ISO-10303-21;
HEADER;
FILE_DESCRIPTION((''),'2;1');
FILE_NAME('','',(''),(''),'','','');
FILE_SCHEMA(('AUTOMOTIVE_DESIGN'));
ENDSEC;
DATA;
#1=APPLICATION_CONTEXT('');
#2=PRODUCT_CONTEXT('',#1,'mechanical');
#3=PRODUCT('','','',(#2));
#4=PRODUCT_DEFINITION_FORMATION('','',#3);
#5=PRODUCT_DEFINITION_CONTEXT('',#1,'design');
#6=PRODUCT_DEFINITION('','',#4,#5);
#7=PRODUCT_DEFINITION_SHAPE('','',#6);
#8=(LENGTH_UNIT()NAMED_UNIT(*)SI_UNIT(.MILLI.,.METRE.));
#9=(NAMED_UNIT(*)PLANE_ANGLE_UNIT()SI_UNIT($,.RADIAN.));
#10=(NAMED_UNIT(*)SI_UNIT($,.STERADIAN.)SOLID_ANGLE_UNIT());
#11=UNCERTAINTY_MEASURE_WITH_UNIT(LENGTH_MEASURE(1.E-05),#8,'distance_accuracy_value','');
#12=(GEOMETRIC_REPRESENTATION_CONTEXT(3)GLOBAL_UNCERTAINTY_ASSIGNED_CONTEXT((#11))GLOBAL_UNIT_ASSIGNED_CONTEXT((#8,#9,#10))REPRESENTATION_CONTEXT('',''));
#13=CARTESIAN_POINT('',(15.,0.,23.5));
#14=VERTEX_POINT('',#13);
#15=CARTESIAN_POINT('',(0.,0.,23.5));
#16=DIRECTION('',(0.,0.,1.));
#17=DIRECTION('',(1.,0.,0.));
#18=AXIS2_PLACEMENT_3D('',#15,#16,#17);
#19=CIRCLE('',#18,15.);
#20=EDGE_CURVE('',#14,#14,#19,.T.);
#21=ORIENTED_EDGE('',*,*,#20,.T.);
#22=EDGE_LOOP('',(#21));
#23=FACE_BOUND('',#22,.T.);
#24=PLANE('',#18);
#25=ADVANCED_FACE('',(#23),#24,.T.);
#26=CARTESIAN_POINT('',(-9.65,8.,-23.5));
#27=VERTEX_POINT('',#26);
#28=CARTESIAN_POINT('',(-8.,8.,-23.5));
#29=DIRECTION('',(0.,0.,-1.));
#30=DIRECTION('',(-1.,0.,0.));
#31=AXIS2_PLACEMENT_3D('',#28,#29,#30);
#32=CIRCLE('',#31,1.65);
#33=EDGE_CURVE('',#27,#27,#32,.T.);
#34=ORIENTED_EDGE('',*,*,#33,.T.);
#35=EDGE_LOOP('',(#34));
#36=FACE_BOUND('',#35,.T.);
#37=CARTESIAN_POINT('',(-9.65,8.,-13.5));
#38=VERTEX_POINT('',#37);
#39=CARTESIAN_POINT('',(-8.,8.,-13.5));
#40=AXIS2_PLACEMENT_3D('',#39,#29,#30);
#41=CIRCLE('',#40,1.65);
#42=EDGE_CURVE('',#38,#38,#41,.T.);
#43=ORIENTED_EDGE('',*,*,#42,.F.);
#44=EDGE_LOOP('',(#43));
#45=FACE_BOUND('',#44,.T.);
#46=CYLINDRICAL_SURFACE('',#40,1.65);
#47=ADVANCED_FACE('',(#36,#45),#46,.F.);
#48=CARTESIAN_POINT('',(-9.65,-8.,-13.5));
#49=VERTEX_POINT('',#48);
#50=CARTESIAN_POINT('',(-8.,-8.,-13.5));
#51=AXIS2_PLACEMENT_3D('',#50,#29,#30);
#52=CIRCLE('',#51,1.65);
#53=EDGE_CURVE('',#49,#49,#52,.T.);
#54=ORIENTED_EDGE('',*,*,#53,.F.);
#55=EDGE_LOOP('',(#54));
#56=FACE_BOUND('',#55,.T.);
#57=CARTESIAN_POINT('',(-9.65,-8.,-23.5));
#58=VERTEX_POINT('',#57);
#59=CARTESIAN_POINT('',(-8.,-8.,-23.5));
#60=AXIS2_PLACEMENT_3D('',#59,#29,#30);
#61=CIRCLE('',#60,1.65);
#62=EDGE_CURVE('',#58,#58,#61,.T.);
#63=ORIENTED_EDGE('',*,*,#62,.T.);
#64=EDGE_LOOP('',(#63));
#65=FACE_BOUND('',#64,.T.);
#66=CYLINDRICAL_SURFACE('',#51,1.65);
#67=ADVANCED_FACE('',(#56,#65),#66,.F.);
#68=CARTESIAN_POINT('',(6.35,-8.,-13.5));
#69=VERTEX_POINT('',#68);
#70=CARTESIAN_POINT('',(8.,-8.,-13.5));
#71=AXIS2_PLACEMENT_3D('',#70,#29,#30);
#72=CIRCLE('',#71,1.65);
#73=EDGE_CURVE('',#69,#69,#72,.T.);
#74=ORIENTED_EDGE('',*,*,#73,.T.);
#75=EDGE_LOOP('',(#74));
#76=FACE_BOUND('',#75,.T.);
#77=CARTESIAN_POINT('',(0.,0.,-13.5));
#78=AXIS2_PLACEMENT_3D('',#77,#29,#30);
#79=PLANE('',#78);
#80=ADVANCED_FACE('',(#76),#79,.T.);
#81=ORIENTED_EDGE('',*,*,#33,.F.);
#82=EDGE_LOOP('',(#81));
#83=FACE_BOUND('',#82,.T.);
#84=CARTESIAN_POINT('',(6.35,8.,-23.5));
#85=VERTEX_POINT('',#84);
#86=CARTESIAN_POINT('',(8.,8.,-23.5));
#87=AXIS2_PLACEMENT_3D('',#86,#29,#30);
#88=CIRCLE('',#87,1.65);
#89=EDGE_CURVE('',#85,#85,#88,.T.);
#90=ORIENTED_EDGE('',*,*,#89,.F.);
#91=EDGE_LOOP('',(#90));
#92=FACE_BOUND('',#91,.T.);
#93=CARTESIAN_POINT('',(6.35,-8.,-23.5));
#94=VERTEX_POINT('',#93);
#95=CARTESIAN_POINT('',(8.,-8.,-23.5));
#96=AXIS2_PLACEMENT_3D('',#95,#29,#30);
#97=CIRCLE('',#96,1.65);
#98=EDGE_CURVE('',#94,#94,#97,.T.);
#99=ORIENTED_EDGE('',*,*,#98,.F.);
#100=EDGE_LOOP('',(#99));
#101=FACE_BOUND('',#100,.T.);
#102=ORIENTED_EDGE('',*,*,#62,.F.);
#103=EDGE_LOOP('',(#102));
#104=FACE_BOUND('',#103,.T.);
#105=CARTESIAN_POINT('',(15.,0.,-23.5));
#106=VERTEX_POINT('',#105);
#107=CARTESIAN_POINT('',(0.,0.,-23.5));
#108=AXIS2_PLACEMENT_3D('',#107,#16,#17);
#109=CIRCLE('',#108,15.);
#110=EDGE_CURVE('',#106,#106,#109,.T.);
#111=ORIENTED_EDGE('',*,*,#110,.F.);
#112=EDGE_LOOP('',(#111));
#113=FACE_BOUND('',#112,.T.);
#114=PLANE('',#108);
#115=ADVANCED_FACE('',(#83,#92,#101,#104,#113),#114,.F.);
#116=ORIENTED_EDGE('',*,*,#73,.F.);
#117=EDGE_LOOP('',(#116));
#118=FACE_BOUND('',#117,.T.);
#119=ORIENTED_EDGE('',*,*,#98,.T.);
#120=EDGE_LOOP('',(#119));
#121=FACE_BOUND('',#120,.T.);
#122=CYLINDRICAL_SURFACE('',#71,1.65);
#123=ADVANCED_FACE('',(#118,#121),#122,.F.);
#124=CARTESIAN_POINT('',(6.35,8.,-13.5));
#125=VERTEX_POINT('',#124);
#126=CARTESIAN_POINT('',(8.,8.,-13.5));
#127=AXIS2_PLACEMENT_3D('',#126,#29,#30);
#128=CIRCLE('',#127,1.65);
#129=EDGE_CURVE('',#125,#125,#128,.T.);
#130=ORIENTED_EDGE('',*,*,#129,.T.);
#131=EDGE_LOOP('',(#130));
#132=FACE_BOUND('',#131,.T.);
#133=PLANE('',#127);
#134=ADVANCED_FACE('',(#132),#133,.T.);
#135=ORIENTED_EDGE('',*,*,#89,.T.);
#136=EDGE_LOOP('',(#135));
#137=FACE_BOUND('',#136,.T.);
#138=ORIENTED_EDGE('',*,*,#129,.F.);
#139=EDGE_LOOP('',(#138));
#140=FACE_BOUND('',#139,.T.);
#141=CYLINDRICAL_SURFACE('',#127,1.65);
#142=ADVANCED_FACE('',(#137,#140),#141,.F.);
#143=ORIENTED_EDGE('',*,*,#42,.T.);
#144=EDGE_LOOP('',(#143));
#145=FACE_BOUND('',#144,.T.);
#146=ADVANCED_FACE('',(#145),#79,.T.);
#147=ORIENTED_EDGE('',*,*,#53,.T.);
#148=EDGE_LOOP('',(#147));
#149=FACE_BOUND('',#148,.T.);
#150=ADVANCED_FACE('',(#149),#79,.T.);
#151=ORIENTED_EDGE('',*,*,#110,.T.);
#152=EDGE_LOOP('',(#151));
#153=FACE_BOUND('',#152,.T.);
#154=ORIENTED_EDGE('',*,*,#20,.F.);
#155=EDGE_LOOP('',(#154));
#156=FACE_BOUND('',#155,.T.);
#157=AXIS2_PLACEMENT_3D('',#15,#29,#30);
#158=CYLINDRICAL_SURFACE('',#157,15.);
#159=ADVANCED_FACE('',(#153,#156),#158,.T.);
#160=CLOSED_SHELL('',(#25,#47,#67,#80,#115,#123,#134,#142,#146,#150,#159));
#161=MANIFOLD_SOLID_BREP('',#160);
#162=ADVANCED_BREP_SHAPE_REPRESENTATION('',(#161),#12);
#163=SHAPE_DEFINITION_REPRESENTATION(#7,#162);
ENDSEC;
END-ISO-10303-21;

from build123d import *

# Parameters (mm, degrees)
SKETCH1_R           = 15
BOSS_EXTRUDE1_DEPTH = 23.5
SKETCH2_R           = 1.65
CUT_EXTRUDE1_DEPTH  = 10


with BuildPart() as part:
    # Sketch1 → Boss-Extrude1 (new, symmetric)
    with BuildSketch(Plane.XY):
        Circle(SKETCH1_R)
    extrude(amount=BOSS_EXTRUDE1_DEPTH, both=True)

    # Sketch2 → Cut-Extrude1 (cut)
    with BuildSketch(Plane(origin=(0, 0, -23.5), x_dir=(-1, 0, 0), z_dir=(0, 0, -1))):
        with Locations((8, 8)):
            Circle(SKETCH2_R)
        with Locations((8, -8)):
            Circle(SKETCH2_R)
        with Locations((-8, -8)):
            Circle(SKETCH2_R)
        with Locations((-8, 8)):
            Circle(SKETCH2_R)
    extrude(amount=-CUT_EXTRUDE1_DEPTH, mode=Mode.SUBTRACT)


solid = part.part
